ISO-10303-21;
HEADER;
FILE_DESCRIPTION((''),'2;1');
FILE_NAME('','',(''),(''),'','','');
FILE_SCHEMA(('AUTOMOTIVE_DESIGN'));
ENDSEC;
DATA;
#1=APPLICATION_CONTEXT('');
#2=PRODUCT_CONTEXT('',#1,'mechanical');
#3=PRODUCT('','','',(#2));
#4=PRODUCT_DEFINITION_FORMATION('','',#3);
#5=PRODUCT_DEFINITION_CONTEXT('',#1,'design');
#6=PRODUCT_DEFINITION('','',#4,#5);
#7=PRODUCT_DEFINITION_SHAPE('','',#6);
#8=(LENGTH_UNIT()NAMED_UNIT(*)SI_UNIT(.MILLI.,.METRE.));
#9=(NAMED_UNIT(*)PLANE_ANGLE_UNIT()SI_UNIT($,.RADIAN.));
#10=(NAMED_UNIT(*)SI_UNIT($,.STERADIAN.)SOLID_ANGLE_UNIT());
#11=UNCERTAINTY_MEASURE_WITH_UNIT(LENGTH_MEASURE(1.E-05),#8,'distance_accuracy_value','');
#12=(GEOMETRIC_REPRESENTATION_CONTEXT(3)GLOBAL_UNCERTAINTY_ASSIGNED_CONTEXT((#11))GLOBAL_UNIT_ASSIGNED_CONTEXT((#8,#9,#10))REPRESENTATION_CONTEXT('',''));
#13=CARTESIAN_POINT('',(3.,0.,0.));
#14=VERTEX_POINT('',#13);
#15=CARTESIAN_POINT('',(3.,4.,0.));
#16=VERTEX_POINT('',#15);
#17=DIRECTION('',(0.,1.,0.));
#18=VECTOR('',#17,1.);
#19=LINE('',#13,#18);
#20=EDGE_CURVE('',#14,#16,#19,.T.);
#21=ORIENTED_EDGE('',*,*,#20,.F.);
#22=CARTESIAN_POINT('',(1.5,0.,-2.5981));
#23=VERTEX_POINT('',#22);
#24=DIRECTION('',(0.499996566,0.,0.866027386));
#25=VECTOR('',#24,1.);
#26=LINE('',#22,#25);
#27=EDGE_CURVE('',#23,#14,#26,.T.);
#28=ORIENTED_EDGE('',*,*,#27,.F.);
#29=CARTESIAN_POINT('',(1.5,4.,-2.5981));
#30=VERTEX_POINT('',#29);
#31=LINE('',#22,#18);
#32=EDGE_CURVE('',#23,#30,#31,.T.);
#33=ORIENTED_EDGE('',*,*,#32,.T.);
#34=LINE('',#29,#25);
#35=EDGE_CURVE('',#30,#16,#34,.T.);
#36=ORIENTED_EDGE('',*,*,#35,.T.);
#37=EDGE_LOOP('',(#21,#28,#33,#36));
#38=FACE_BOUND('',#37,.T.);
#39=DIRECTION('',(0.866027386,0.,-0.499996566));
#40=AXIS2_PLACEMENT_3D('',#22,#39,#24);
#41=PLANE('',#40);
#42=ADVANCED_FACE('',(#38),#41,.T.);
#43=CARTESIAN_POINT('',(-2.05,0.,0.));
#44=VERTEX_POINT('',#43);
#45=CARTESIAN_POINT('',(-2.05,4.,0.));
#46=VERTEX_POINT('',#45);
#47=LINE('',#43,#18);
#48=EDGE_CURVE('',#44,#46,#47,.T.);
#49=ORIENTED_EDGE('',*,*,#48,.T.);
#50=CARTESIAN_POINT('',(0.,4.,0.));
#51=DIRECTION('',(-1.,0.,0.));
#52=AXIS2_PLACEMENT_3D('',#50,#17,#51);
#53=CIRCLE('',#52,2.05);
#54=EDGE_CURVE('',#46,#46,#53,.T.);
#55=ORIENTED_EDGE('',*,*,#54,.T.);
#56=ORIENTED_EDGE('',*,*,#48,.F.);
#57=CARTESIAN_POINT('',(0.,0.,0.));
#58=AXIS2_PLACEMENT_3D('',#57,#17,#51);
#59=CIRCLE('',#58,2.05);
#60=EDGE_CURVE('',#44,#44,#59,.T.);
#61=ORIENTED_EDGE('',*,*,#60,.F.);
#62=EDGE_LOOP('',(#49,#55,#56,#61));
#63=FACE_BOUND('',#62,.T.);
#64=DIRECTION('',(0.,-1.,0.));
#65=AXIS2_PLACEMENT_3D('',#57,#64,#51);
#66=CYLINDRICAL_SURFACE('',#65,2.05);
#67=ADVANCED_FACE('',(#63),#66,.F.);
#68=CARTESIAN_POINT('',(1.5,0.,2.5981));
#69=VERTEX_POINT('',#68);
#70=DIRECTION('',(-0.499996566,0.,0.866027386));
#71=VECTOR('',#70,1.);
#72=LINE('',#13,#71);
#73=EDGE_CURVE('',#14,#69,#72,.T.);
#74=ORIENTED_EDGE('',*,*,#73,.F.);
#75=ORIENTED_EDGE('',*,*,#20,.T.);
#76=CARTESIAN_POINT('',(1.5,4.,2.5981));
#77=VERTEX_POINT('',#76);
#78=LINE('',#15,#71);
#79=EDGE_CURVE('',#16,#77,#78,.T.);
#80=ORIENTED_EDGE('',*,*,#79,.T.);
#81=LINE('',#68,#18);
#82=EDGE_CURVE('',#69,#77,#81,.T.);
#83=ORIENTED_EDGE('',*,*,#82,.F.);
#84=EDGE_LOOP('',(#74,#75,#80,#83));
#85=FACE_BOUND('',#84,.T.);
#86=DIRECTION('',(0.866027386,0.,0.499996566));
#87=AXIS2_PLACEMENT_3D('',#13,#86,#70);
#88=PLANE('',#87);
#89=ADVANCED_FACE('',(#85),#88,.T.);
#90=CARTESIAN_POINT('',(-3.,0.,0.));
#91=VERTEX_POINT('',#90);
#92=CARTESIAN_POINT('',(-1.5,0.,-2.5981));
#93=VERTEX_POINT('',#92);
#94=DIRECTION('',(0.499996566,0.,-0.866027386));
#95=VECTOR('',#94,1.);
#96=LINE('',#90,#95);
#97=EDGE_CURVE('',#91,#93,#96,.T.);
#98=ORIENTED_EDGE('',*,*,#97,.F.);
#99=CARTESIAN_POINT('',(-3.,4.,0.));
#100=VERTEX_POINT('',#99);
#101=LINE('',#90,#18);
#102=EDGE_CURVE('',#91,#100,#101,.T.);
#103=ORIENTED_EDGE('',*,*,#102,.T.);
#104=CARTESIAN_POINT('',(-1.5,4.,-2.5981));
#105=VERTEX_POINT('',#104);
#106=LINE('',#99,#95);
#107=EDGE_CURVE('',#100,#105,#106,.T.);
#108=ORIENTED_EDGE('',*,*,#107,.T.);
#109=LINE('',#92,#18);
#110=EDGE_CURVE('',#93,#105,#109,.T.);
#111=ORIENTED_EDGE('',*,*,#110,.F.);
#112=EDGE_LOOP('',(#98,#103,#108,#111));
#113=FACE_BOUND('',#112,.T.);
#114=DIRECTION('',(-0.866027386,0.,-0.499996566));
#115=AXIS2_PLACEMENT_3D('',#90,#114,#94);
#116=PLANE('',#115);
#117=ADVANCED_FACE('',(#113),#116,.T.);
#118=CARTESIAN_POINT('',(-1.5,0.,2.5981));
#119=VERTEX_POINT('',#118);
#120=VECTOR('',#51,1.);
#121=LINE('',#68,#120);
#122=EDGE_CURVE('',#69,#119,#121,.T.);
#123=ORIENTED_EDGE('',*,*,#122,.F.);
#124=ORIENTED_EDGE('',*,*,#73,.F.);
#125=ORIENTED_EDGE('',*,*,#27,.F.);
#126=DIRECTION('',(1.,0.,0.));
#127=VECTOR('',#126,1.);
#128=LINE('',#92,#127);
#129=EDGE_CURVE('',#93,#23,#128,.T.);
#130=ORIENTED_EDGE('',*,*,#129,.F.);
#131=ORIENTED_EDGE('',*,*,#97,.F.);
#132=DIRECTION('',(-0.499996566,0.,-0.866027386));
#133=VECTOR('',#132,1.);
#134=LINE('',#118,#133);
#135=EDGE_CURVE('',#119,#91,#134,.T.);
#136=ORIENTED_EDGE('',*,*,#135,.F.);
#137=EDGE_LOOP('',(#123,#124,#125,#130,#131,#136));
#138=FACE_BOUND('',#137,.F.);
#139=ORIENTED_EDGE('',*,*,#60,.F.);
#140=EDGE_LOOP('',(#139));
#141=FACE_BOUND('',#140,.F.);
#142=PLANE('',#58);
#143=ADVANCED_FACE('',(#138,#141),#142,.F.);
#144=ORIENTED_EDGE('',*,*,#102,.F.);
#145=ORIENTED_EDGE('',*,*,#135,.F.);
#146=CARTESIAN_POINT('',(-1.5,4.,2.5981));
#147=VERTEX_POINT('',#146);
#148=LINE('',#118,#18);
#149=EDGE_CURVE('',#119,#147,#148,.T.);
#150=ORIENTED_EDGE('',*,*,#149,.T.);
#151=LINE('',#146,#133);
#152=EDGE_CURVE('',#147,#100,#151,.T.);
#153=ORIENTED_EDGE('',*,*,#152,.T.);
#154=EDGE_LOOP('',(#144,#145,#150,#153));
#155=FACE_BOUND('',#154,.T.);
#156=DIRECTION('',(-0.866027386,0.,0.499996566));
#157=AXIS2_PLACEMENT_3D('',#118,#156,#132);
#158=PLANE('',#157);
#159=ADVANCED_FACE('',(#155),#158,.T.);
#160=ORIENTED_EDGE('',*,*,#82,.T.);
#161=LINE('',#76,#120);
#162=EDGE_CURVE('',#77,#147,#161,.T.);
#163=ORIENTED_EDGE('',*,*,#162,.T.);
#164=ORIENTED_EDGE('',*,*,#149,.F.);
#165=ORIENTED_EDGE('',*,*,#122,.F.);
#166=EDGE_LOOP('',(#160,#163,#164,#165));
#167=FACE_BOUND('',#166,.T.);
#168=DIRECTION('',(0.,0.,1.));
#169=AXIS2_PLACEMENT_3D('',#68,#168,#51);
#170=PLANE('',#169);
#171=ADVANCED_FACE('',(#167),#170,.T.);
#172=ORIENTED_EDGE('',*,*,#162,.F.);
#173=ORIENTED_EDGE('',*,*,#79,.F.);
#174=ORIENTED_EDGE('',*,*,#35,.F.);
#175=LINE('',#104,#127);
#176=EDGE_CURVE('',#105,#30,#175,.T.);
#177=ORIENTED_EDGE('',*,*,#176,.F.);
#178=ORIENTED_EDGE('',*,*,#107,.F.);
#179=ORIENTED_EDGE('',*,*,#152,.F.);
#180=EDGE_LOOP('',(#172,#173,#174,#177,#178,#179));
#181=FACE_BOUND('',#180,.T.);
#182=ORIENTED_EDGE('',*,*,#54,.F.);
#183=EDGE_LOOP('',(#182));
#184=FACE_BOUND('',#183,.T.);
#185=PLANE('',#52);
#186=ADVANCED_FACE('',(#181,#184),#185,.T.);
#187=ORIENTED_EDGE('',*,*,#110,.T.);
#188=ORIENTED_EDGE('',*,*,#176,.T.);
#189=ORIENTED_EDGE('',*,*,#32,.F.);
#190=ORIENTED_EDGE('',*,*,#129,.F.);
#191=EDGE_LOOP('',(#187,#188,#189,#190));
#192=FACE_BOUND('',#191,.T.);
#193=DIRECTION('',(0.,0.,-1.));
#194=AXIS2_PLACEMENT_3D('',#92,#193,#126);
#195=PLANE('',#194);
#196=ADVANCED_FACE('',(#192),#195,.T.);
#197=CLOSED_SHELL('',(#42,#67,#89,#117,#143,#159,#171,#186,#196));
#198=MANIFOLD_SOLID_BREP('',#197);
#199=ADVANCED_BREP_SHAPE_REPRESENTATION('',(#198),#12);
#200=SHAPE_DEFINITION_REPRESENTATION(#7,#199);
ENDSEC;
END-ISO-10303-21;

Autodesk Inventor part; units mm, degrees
ref_plane "YZ Plane" through (0, 0, 0) normal (1, 0, 0) x (0, 1, 0)
ref_plane "XZ Plane" through (0, 0, 0) normal (0, 1, 0) x (-1, 0, 0)
ref_plane "XY Plane" through (0, 0, 0) normal (0, 0, 1) x (1, 0, 0)
sketch "Sketch1" plane through (0, 0, 0) normal (0, 1, 0) x (-1, 0, 0)
  line L0 (-3, 0) -> (-1.5, 2.5981)
  line L1 (-1.5, 2.5981) -> (1.5, 2.5981)
  line L2 (1.5, 2.5981) -> (3, 0)
  line L3 (3, 0) -> (1.5, -2.5981)
  line L4 (1.5, -2.5981) -> (-1.5, -2.5981)
  line L5 (-1.5, -2.5981) -> (-3, 0)
  circle A0 centre (0, 0) radius 2.05
  dimension "d0" = 3
  dimension "d1" = 4.1
extrude "Extrusion1" add sketch "Sketch1" along normal blind 4
properties part number "Four(mm)Nut"
